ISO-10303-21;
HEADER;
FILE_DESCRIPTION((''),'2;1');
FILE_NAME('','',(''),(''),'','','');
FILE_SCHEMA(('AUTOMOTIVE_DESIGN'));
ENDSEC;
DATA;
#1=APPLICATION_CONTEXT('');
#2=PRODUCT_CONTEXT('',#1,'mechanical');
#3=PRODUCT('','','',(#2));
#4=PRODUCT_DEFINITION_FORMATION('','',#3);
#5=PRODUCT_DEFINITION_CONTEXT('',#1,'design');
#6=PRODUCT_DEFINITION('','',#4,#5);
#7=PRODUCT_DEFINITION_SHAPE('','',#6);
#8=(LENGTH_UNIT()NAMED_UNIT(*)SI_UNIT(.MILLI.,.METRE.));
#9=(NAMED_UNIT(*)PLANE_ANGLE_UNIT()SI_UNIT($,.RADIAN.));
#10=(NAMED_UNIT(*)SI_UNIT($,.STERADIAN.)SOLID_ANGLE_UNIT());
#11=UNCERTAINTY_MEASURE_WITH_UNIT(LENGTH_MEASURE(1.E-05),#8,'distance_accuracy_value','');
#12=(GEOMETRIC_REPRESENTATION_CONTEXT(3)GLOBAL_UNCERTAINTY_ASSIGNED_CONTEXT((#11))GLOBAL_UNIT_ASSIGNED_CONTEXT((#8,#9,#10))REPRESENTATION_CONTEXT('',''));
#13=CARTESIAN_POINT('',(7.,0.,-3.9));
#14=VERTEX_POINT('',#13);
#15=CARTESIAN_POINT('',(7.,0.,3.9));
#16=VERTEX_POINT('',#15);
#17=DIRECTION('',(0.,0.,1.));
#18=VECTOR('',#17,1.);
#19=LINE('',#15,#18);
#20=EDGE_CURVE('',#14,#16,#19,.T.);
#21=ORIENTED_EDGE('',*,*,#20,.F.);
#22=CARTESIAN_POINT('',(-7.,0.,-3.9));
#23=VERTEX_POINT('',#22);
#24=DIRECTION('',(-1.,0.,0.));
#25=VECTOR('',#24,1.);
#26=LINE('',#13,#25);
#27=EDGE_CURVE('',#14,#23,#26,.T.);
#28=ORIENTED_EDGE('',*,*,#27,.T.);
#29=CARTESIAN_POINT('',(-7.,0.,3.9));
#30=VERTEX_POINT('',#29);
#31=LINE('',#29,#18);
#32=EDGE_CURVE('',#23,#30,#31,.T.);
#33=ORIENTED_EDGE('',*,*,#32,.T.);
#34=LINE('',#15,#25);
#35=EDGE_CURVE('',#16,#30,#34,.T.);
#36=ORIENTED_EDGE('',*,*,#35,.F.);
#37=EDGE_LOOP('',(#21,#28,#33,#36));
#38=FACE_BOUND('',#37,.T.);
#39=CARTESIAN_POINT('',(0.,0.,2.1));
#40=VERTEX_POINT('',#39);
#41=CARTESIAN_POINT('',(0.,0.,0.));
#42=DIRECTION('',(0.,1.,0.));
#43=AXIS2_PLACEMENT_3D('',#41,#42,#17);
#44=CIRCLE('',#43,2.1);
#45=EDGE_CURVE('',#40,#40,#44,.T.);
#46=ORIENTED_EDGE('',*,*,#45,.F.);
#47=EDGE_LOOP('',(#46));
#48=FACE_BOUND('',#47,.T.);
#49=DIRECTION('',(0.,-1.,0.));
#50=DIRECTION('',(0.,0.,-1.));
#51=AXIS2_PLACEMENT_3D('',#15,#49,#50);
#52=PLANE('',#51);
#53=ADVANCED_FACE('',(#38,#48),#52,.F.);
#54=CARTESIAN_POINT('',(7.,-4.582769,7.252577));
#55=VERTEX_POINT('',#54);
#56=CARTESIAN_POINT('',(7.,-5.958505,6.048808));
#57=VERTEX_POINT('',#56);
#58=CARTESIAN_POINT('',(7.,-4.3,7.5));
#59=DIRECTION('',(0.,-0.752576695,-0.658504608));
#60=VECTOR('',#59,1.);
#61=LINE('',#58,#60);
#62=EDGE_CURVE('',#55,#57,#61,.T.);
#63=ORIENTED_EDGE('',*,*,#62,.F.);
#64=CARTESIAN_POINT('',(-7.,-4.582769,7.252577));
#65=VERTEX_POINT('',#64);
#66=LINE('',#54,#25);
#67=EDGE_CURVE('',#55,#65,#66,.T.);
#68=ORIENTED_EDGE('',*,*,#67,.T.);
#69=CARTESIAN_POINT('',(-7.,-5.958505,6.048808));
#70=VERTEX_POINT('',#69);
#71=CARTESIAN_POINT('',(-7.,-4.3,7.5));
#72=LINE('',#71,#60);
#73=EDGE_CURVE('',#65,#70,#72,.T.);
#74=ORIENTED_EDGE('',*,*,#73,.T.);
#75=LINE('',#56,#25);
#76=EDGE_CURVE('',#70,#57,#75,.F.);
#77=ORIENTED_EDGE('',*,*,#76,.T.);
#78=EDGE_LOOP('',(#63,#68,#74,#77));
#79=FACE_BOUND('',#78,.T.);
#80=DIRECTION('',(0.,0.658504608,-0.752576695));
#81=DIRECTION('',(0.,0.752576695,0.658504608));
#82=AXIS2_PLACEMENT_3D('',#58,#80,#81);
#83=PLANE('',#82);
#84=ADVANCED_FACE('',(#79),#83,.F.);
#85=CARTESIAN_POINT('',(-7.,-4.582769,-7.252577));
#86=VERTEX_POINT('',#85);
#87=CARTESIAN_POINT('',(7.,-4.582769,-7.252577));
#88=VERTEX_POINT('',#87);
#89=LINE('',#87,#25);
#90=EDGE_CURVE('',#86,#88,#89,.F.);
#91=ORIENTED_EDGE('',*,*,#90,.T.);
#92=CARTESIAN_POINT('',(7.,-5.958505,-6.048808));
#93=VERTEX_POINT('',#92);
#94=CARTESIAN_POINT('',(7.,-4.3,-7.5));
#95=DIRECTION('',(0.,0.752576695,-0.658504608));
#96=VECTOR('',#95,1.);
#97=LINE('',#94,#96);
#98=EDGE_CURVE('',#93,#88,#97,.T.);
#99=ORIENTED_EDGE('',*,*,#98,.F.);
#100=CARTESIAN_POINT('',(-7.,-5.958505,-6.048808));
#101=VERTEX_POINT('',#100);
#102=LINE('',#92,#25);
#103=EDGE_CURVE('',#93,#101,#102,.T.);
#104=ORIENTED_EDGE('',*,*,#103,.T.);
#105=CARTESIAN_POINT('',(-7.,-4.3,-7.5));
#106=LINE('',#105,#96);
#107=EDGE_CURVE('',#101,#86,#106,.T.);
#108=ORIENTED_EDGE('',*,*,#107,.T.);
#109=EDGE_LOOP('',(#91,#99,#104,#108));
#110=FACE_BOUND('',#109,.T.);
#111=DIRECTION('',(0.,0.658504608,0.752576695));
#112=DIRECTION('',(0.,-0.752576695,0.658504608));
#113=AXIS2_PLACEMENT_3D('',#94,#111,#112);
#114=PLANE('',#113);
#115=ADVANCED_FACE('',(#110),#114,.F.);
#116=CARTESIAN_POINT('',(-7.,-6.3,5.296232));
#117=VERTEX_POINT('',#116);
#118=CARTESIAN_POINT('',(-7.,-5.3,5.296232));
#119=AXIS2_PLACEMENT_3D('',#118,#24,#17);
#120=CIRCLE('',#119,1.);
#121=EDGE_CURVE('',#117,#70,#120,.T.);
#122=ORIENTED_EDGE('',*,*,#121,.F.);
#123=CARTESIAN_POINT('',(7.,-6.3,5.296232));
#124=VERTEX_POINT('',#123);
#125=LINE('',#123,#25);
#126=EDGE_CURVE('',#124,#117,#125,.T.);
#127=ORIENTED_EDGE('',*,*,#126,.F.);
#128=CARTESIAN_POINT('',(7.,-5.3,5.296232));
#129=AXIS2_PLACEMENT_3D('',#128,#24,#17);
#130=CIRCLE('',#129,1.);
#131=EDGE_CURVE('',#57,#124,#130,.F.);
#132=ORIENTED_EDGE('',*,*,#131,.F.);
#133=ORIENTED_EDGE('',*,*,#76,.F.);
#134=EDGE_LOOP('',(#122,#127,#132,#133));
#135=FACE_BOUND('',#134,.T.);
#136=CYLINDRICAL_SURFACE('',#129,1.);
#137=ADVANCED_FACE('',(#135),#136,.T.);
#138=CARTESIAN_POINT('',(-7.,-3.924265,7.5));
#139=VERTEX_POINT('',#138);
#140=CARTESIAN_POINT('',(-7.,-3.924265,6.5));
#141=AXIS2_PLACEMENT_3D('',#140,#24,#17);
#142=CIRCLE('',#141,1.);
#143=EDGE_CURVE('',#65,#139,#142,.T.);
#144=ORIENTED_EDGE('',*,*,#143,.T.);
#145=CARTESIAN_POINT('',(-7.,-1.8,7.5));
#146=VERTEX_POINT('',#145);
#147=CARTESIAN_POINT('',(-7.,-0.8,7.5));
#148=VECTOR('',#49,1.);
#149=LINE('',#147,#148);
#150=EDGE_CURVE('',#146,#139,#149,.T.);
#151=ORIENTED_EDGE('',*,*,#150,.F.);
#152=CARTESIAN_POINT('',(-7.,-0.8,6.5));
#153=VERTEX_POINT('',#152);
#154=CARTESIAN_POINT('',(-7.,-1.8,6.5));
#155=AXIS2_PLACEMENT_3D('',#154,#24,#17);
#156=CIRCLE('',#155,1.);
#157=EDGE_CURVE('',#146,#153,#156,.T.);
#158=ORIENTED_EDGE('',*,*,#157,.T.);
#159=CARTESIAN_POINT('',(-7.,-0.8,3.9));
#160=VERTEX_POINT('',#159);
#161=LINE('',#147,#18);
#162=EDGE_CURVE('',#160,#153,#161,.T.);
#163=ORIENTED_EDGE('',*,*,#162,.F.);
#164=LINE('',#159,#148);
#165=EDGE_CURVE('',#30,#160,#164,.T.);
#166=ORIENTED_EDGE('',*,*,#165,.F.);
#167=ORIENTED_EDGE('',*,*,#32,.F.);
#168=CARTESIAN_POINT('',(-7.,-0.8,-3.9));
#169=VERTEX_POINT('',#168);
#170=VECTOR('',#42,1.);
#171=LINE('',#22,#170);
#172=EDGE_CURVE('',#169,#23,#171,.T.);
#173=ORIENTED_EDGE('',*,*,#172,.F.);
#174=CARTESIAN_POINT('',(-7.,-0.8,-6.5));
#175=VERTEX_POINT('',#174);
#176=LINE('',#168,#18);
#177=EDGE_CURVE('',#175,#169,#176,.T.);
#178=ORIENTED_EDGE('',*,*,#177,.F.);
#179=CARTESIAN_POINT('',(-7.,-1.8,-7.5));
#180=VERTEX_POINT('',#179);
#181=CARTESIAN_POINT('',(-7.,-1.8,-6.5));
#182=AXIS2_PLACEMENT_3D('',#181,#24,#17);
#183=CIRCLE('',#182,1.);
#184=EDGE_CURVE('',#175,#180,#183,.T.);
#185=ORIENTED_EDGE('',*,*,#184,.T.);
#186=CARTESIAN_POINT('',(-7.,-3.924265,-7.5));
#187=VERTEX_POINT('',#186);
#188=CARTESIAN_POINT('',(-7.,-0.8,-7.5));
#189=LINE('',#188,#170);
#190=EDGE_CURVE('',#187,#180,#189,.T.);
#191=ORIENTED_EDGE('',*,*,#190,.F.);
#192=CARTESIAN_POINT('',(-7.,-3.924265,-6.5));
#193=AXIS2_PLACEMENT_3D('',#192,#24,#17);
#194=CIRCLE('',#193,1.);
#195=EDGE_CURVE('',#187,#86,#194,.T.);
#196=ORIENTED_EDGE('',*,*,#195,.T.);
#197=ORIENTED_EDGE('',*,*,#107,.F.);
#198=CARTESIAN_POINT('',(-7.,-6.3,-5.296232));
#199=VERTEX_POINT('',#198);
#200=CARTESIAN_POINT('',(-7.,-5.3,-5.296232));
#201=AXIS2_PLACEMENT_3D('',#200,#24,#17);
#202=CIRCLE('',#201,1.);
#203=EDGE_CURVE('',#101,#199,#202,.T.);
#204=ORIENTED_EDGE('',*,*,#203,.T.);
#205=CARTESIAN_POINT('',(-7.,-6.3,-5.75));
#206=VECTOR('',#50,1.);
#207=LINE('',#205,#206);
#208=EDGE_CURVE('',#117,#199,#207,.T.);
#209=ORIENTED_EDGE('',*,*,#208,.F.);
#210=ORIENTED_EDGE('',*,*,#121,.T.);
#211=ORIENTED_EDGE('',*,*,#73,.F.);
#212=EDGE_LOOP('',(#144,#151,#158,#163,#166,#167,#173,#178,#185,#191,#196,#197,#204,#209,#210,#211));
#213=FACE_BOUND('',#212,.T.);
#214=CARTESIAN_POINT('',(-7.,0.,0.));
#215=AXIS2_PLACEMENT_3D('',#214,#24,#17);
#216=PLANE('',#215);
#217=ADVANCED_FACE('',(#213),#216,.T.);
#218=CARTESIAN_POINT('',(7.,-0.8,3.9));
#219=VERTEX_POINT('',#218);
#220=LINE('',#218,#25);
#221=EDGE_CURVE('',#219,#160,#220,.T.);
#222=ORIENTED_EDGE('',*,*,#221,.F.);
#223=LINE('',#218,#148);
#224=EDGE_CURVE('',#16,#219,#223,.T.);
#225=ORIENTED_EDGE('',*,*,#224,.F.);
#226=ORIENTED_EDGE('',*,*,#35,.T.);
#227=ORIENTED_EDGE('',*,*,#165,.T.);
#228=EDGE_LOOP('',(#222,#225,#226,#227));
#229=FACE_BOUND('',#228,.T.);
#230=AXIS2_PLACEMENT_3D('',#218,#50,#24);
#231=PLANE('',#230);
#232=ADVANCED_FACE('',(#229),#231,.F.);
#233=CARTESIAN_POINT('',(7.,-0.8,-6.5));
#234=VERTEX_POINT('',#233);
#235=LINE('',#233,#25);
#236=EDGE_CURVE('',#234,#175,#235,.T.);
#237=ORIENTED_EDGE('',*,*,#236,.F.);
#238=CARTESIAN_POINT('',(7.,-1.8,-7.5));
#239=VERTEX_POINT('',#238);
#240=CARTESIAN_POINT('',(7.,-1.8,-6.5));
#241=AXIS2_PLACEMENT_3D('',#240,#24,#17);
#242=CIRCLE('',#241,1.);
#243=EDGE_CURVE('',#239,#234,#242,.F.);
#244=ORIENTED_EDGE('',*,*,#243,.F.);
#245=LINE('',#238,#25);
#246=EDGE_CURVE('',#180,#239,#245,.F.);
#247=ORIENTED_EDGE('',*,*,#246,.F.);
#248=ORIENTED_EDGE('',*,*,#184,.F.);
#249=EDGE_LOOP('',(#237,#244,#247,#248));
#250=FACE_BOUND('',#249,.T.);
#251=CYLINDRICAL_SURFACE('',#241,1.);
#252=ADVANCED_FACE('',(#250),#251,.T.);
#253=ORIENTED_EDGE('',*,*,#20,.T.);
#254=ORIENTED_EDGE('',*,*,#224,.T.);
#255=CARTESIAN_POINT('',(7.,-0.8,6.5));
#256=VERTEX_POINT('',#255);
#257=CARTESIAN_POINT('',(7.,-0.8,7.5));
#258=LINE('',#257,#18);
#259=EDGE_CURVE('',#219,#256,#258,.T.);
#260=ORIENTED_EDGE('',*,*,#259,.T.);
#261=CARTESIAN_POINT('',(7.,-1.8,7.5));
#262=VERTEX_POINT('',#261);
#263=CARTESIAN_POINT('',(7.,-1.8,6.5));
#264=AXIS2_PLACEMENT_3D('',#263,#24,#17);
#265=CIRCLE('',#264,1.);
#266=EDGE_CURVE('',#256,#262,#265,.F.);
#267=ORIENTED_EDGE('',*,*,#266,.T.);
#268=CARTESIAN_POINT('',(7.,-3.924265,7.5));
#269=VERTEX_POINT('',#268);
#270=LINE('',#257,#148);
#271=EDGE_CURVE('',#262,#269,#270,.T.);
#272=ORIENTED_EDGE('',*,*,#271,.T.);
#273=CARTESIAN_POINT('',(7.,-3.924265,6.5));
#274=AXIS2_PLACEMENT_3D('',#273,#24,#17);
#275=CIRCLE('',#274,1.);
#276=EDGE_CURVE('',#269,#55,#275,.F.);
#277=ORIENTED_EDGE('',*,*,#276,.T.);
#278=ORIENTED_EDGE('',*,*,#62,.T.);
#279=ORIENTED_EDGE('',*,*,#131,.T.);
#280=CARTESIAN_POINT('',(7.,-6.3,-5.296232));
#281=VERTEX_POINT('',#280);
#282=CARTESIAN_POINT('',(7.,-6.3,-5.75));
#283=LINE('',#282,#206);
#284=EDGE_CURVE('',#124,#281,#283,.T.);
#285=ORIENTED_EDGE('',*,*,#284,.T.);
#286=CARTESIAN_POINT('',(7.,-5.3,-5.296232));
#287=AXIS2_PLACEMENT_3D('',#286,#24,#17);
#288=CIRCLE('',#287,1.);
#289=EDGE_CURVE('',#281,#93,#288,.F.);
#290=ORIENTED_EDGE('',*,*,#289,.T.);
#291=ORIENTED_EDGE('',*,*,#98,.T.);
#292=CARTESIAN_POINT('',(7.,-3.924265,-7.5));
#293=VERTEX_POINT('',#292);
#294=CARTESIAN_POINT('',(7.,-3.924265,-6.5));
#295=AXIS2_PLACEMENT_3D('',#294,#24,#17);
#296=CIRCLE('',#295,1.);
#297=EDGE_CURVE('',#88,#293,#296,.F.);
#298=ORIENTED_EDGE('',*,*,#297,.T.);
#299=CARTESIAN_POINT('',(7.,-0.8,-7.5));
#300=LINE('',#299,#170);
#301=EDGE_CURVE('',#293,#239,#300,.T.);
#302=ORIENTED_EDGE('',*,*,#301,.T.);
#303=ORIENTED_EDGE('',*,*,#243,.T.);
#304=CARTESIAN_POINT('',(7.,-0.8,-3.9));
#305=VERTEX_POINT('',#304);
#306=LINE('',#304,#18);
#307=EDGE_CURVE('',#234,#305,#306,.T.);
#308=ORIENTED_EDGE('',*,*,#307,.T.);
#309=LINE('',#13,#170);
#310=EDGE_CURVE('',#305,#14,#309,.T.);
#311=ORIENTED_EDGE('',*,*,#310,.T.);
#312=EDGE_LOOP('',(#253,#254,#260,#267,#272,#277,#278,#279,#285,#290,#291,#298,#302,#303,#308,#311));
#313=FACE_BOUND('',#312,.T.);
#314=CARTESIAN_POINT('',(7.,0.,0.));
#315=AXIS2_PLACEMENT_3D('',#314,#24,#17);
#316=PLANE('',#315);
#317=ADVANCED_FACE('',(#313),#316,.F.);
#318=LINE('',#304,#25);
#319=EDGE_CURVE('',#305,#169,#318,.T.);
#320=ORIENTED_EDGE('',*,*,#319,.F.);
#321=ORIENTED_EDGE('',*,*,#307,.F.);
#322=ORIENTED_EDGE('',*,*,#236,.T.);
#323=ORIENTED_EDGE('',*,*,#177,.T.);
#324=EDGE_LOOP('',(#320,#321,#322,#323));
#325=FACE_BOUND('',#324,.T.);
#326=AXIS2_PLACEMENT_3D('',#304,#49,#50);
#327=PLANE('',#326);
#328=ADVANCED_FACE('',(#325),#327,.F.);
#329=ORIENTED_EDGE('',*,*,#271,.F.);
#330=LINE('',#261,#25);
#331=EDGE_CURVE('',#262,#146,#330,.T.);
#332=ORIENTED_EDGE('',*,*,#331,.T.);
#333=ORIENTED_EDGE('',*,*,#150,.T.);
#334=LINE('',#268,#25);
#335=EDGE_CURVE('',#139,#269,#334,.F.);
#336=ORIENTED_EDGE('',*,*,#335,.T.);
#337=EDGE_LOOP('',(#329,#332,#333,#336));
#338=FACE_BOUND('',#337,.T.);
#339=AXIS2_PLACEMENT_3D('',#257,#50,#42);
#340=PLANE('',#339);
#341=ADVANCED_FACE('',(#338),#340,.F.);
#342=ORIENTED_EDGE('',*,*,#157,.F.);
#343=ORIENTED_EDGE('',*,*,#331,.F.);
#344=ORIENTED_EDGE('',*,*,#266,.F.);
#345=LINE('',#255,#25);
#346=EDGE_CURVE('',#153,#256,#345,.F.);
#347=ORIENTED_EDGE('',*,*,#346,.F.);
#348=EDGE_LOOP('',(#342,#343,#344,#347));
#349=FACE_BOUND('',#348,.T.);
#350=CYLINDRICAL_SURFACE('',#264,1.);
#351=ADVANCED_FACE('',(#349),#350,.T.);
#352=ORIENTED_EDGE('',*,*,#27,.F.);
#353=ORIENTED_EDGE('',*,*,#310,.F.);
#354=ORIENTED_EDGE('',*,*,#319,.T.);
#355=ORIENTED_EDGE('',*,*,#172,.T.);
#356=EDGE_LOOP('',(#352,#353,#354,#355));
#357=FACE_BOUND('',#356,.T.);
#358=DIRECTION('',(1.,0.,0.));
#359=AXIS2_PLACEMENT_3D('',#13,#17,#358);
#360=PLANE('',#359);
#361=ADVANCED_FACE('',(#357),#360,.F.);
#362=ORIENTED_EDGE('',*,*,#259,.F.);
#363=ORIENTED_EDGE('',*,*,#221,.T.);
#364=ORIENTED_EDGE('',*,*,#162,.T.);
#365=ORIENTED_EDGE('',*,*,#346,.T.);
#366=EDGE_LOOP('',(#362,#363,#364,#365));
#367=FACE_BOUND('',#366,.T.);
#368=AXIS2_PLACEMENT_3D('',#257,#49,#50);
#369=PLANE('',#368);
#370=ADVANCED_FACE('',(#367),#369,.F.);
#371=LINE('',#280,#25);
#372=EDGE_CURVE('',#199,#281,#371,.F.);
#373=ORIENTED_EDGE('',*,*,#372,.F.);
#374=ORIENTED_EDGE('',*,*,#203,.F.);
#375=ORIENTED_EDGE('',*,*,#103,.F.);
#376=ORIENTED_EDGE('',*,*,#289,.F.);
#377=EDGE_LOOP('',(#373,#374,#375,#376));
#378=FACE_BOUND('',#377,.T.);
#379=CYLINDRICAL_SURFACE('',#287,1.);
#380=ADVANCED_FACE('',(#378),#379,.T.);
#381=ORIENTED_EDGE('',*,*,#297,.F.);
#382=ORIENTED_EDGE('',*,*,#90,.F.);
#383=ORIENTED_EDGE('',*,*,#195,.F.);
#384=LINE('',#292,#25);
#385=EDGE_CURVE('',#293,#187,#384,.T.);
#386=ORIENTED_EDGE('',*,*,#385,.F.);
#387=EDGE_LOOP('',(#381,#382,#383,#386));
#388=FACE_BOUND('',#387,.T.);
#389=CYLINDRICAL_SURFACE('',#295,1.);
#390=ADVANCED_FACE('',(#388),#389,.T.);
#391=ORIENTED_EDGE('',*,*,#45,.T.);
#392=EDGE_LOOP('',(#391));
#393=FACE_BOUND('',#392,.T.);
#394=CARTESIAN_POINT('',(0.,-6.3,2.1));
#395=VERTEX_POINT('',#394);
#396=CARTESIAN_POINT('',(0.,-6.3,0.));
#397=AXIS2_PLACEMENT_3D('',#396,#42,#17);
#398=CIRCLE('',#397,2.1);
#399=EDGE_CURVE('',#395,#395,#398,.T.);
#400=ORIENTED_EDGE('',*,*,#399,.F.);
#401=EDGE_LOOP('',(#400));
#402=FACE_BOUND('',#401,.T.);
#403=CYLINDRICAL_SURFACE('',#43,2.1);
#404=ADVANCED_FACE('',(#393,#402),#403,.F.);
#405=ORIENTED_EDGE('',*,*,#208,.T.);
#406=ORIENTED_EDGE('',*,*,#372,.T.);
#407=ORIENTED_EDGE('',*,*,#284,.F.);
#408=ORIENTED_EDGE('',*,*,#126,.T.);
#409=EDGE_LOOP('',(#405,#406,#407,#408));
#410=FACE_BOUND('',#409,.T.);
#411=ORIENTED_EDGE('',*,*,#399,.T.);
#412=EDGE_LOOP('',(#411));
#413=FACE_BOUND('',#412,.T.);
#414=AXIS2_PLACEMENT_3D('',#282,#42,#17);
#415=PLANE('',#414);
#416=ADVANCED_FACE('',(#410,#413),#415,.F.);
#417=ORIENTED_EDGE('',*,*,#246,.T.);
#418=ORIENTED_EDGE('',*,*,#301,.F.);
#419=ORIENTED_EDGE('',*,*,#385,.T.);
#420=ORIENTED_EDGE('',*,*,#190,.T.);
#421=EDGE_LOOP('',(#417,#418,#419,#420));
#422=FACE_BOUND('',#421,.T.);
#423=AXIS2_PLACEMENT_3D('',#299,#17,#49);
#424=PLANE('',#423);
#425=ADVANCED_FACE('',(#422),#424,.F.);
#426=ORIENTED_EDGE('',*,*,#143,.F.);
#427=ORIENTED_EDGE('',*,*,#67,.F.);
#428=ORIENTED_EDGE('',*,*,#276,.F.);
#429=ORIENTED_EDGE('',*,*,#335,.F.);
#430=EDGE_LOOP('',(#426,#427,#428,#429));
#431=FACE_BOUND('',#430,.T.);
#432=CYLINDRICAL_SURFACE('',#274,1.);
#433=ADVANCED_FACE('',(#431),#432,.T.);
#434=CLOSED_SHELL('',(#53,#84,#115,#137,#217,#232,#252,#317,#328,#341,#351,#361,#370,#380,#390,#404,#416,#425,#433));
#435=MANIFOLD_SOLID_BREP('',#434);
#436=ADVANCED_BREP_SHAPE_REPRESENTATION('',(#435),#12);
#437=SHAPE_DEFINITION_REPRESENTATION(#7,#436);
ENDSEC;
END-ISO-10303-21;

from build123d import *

# Parameters (mm, degrees)
BOSS_EXTRUDE1_DEPTH = 14
FILLET1_R           = 1
TAPPED_HOLE1_D      = 4.2


with BuildPart() as part:
    # Sketch1 → Boss-Extrude1 (new body)
    with BuildSketch(Plane(origin=(-7, 0, 0), x_dir=(0, 0, -1), z_dir=(1, 0, 0))):
        Polygon((5.75, -6.3), (-5.75, -6.3), (-7.5, -4.3), (-7.5, -0.8), (-3.9, -0.8), (-3.9, 0), (3.9, 0), (3.9, -0.8), (7.5, -0.8), (7.5, -4.3), align=None)
    extrude(amount=BOSS_EXTRUDE1_DEPTH)

    # Fillet1
    fillet1_edges = [part.edges().sort_by_distance(p)[0] for p in [
        (0, -0.8, -7.5),
        (0, -4.3, -7.5),
        (0, -6.3, -5.75),
        (0, -6.3, 5.75),
        (0, -4.3, 7.5),
        (0, -0.8, 7.5),
    ]]
    fillet(fillet1_edges, radius=FILLET1_R)

    # Tapped Hole1 (through all)
    with Locations(Plane(origin=(0, 0, 0), x_dir=(1, 0, 0), z_dir=(0, 1, 0))):
        with Locations((0, 0)):
            Hole(TAPPED_HOLE1_D / 2)


solid = part.part
